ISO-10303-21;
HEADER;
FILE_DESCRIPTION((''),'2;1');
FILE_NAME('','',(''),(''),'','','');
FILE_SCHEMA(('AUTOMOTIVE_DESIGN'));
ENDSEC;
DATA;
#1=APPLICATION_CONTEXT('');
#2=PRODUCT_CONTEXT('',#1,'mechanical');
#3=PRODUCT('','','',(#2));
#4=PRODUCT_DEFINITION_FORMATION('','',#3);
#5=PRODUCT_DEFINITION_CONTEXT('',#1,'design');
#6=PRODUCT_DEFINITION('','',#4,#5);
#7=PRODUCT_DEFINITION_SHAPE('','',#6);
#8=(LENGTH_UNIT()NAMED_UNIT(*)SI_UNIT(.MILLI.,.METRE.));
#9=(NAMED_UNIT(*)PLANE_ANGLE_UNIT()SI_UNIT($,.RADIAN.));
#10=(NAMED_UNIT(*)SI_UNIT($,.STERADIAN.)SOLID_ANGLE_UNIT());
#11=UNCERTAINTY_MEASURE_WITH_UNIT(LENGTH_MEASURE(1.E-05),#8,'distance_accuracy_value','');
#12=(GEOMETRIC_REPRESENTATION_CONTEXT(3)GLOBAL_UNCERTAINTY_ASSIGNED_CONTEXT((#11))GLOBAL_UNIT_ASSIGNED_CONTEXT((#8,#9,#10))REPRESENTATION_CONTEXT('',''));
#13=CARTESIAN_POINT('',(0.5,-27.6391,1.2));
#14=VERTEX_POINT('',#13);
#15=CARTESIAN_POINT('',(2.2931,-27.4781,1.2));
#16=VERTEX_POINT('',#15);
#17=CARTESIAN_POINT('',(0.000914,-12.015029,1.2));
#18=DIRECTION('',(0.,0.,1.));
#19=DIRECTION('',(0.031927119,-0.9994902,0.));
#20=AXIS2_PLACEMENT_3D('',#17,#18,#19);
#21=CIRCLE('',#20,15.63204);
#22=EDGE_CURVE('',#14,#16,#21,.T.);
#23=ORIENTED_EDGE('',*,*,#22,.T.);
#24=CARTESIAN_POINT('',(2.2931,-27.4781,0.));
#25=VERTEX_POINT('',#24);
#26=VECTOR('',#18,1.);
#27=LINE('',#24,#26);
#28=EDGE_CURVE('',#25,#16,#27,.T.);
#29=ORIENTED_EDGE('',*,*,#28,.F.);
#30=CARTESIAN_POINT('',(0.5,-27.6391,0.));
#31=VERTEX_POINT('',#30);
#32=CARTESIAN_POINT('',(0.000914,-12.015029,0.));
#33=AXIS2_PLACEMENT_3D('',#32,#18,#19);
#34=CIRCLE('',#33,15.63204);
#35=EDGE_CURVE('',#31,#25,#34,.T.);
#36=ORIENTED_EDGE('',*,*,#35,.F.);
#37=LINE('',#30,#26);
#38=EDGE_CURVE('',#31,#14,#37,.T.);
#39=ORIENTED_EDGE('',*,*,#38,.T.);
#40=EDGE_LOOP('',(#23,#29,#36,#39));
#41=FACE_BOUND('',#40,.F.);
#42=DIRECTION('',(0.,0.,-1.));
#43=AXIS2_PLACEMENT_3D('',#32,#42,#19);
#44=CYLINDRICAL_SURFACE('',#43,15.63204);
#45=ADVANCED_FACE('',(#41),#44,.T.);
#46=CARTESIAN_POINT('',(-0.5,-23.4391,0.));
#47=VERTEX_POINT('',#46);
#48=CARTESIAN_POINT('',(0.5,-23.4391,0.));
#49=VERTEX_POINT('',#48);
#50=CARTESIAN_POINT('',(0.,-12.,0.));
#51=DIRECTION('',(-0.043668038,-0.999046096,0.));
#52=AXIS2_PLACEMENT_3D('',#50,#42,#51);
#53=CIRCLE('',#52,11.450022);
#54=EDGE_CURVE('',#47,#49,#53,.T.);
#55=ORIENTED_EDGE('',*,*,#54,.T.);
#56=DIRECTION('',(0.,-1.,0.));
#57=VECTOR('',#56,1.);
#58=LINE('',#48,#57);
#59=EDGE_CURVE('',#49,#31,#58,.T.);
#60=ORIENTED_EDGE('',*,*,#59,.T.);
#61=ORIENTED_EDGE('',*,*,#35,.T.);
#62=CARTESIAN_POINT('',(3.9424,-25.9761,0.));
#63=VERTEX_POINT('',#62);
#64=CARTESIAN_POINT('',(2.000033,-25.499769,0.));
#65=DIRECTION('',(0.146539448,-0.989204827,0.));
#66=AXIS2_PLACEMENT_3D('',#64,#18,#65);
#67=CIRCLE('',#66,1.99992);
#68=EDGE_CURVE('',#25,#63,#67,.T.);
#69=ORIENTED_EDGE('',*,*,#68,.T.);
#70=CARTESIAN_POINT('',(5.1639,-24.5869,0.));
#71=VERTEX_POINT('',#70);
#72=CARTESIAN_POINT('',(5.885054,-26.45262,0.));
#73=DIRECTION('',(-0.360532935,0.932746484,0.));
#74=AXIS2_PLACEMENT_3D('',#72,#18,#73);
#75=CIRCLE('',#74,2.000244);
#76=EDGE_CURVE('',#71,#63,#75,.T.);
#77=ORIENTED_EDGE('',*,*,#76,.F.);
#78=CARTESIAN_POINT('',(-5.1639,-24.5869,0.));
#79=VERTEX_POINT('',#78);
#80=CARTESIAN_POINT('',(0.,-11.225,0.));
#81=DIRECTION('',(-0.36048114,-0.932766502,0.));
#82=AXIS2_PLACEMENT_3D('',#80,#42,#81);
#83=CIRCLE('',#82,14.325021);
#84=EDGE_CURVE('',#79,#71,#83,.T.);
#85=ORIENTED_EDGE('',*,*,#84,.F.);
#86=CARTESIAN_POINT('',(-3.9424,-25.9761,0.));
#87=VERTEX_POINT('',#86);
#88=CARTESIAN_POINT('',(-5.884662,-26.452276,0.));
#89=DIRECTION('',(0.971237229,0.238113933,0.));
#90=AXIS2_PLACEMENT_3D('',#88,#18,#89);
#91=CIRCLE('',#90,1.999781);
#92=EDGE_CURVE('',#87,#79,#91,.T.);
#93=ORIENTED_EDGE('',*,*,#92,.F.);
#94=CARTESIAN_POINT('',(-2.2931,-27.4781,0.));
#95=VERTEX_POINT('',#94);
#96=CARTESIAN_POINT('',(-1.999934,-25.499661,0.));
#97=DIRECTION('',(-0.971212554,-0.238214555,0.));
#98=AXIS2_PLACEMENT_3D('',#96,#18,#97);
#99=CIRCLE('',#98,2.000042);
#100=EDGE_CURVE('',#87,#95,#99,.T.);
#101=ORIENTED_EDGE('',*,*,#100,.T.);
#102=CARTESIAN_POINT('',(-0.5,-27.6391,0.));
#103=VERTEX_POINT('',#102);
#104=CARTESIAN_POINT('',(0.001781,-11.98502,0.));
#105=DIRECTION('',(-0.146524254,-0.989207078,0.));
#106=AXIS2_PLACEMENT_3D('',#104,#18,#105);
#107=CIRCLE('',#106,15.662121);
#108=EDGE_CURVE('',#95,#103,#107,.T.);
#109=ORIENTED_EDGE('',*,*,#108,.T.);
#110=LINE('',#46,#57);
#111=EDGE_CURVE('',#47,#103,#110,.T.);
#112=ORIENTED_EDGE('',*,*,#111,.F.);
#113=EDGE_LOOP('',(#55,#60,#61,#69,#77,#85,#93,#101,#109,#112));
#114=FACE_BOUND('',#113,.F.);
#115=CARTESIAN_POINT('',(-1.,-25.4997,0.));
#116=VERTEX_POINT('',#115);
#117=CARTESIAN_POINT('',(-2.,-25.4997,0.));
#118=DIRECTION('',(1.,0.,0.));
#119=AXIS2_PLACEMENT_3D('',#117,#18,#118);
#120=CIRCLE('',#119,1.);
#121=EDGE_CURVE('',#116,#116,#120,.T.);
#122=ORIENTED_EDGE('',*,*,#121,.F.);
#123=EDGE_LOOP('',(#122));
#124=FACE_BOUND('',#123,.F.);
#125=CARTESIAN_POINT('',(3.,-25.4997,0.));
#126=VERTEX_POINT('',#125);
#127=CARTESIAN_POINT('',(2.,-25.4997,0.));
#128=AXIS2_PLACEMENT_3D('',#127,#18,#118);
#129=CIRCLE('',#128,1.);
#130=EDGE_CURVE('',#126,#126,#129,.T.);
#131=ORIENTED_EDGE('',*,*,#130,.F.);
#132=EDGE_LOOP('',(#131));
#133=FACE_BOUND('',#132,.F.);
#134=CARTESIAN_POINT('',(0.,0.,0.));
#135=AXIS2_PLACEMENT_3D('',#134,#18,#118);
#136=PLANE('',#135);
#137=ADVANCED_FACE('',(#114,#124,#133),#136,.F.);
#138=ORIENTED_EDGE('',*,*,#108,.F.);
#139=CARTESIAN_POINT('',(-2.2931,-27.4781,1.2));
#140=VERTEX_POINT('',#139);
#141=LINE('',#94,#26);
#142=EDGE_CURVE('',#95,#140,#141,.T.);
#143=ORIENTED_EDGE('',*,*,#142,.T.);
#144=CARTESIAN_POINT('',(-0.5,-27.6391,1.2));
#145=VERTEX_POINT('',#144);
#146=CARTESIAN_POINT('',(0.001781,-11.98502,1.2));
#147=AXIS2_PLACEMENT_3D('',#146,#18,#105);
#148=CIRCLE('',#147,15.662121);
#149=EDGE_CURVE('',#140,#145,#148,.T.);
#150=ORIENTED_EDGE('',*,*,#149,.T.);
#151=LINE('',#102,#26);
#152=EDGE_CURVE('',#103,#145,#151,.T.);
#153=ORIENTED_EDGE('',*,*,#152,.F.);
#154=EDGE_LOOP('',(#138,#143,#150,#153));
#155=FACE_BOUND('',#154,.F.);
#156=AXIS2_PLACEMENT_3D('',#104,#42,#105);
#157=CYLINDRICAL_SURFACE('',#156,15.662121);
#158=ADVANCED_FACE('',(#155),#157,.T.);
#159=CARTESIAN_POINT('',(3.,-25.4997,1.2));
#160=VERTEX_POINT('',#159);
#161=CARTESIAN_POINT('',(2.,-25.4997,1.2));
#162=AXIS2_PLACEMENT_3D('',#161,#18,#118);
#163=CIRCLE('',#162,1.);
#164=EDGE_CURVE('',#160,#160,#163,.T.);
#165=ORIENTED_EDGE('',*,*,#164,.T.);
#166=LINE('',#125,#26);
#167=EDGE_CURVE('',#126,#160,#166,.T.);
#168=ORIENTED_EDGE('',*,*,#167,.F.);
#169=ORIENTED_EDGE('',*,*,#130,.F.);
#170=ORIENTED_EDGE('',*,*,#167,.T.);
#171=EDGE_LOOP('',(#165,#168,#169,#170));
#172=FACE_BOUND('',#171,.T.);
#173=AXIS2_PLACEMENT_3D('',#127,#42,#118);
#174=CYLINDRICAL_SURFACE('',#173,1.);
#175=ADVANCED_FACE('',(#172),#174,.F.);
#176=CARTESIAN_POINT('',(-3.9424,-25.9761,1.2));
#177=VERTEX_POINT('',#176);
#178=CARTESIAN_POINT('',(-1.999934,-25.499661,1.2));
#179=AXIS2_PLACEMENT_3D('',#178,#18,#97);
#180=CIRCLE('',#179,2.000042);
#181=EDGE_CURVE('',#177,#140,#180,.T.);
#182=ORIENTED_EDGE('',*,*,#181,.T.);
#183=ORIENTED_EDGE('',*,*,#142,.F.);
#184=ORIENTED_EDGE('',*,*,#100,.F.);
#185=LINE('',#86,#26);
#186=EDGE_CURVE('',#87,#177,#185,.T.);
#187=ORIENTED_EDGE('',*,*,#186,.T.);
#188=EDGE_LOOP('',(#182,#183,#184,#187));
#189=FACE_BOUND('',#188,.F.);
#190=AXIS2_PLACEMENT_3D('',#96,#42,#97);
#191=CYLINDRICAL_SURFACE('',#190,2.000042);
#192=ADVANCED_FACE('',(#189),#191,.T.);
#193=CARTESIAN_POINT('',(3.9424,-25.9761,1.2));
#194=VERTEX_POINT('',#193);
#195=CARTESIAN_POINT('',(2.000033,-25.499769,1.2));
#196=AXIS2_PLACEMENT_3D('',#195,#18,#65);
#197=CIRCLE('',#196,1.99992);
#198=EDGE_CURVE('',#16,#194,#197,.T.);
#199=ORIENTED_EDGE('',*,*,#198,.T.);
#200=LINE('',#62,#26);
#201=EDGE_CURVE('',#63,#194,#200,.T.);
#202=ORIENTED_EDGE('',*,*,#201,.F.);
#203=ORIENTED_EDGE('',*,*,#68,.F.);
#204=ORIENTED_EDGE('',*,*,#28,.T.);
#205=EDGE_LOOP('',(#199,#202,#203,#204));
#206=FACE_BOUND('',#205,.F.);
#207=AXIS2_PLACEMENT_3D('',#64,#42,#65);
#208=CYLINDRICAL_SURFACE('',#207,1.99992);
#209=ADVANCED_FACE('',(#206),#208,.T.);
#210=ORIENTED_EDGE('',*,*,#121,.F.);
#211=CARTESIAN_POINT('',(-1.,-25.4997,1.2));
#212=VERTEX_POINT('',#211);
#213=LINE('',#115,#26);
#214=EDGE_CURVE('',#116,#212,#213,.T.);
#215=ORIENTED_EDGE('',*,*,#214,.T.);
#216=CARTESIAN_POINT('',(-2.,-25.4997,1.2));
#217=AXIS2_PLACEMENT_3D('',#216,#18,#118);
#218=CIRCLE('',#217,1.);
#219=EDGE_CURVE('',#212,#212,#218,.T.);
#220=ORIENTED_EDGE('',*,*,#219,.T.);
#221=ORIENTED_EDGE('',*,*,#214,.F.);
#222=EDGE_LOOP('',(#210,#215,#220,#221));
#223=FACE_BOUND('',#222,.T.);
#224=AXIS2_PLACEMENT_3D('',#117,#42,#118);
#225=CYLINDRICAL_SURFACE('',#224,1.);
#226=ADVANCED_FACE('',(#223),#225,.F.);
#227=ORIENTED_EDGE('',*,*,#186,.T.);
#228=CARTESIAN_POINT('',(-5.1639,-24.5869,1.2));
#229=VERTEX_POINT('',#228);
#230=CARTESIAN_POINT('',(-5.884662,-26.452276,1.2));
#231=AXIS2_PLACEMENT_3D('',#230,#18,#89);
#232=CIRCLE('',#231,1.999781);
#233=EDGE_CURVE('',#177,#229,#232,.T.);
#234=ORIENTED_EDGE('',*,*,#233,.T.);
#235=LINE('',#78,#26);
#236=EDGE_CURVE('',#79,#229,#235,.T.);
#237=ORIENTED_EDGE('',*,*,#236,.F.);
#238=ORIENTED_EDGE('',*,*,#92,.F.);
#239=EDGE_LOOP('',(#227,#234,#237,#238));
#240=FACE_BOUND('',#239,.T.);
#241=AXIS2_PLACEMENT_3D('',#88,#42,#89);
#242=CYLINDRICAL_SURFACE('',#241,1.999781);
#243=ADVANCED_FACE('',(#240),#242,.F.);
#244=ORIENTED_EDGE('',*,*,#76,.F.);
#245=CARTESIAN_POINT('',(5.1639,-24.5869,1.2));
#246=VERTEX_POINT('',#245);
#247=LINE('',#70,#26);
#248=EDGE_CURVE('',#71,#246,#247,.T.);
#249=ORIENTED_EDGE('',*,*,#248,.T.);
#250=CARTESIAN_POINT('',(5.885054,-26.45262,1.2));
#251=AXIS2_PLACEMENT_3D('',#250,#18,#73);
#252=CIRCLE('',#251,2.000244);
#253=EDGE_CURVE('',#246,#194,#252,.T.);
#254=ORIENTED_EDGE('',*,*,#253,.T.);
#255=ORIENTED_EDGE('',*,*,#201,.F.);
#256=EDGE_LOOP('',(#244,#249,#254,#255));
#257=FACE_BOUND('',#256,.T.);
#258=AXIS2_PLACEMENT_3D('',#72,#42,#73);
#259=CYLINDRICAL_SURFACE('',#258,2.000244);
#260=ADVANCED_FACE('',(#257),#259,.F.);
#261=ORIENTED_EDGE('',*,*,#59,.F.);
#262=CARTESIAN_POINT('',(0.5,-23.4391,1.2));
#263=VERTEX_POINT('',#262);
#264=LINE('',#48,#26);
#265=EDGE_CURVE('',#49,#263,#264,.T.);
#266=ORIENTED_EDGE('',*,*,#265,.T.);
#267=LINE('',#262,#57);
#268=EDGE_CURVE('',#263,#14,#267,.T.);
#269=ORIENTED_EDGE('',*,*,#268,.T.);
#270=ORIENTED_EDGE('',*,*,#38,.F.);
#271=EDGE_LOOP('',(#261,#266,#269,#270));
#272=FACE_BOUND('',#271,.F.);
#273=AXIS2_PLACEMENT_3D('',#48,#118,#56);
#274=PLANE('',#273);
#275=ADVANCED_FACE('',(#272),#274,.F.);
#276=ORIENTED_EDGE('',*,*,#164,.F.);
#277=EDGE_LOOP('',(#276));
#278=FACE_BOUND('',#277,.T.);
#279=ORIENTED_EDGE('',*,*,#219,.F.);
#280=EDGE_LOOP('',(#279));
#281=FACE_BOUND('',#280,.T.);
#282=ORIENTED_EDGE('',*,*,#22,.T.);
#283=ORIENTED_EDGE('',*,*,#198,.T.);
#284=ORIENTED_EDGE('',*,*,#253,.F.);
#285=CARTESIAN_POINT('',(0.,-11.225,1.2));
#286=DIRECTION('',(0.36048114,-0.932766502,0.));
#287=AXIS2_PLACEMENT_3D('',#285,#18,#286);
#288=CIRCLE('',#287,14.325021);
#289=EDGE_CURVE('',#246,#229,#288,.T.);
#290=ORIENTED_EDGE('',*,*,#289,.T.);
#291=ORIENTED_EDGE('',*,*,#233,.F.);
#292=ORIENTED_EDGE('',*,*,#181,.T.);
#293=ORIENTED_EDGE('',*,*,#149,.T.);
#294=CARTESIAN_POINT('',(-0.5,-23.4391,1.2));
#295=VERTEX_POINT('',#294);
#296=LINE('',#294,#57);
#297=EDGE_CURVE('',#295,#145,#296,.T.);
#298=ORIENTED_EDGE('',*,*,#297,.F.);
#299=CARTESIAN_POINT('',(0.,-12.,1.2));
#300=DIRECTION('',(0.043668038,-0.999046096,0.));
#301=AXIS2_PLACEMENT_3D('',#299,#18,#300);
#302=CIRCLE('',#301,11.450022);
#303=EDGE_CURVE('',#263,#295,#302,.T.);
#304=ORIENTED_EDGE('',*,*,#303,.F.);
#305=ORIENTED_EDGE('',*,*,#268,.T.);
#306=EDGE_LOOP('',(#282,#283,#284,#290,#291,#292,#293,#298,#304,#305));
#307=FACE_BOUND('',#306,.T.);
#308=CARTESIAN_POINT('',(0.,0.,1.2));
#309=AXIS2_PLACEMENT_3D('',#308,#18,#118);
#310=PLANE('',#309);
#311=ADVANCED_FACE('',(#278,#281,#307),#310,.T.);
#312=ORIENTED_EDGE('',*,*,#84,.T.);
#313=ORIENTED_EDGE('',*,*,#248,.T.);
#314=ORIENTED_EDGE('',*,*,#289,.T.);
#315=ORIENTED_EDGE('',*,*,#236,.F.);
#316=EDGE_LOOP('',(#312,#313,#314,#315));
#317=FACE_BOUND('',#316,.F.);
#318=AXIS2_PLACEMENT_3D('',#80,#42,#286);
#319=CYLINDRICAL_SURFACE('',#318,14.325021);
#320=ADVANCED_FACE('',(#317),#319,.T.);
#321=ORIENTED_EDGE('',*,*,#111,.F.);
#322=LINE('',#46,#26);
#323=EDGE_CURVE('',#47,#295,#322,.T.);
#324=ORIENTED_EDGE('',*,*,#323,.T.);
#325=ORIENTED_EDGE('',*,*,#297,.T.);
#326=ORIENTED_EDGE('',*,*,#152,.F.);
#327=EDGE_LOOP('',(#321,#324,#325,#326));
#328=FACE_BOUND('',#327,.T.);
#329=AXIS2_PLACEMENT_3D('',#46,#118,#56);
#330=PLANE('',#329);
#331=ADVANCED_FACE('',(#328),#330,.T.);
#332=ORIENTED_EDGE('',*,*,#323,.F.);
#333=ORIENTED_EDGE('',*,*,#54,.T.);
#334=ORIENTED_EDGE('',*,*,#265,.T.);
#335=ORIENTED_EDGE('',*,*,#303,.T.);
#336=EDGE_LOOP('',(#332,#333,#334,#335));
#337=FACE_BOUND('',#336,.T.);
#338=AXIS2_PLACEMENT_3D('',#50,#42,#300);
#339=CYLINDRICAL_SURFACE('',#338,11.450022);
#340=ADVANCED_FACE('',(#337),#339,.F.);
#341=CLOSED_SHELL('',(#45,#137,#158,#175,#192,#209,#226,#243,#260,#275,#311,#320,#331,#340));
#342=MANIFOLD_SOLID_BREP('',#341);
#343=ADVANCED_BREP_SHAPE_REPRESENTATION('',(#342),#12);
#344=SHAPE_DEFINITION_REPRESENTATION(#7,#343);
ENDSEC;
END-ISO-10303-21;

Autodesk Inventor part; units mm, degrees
ref_plane "YZ Plane" through (0, 0, 0) normal (1, 0, 0) x (0, 1, 0)
ref_plane "XZ Plane" through (0, 0, 0) normal (0, 1, 0) x (-1, 0, 0)
sketch "Sketch1" plane through (0, 0, 0) normal (0, 0, 1) x (1, 0, 0)
  line L0 (-6, 0) -> (6, 0) construction
  arc A0 (0.5, -23.4391) -> (-0.5, -23.4391) centre (0, -12) ccw
  line L1 (0, 20.1894) -> (0, -80.5364) projected
  line L2 (-48.09, 0) -> (48.09, 0) projected
  line L3 (-0.5, -23.4391) -> (-0.5, -27.6391)
  line L4 (-0.5, -6.5402) -> (-0.5, -13.29) construction
  line L5 (-2.7947, 3.1) -> (3.6722, 3.1) construction
  arc A1 (5.1639, -24.5869) -> (-5.1639, -24.5869) centre (0, -11.225) ccw
  arc A2 (-2.2931, -27.4781) -> (-0.5, -27.6391) centre (0, -12) ccw
  arc A3 (-3.9424, -25.9761) -> (-2.2931, -27.4781) centre (-2, -25.4997) ccw
  arc A4 (-3.9424, -25.9761) -> (-5.1639, -24.5869) centre (-5.8849, -26.4524) ccw
  line L6 (0.5, -23.4391) -> (0.5, -27.6391)
  line L7 (0.5, -6.5402) -> (0.5, -13.29) construction
  arc A5 (0.5, -27.6391) -> (2.2931, -27.4781) centre (0, -12) ccw
  arc A6 (2.2931, -27.4781) -> (3.9424, -25.9761) centre (2, -25.4997) ccw
  arc A7 (5.1639, -24.5869) -> (3.9424, -25.9761) centre (5.8849, -26.4524) ccw
  circle A8 centre (-2, -25.4997) radius 1
  circle A9 centre (2, -25.4997) radius 1
  dimension "d0" = 22.9
  dimension "d1" = 4.2
  dimension "d6" = 0.5
  dimension "d7" = 3.1
  dimension "d8" = 0.775
  dimension "d9" = 2
  dimension "d10" = 2
  dimension "d11" = 1.5
  dimension "d12" = 2
  dimension "d13" = 2
  dimension "d14" = 12
extrude "Body" add sketch "Sketch1" along normal blind 1.2
ref_plane "Work Plane1" through (0, -12, 0) normal (1, 0, 0) x (0, 0, 1)
equation "\"d0\" = ND"
equation "\"d1\" = SRB2"
equation "\"d6\" = 0.25 * SD5"
equation "\"d7\" = SRB1"
equation "\"d8\" = 0.25 * SRB1"
equation "\"d9\" = SD5"
equation "\"d10\" = SD5"
equation "\"d11\" = 0.75 * SD5"
equation "\"d12\" = SD5"
equation "\"d13\" = SD5"
equation "\"d14\" = 0.5 * WD"
equation "\"d2\" = SD"
equation "\"WD\" = WDMIN"
equation "\"SD\" = 1.2"
equation "\"SRB1\" = 3.1"
equation "\"ND\" = 22.9"
equation "\"SRB2\" = 4.2"
equation "\"SD5\" = 2"
equation "\"WDMIN\" = 24"
equation "\"SD3\" = 22.2"
equation "\"WDMAX\" = 25"
properties part number "CNS 9074 - 24 x 1,2" material "Steel, Mild"
